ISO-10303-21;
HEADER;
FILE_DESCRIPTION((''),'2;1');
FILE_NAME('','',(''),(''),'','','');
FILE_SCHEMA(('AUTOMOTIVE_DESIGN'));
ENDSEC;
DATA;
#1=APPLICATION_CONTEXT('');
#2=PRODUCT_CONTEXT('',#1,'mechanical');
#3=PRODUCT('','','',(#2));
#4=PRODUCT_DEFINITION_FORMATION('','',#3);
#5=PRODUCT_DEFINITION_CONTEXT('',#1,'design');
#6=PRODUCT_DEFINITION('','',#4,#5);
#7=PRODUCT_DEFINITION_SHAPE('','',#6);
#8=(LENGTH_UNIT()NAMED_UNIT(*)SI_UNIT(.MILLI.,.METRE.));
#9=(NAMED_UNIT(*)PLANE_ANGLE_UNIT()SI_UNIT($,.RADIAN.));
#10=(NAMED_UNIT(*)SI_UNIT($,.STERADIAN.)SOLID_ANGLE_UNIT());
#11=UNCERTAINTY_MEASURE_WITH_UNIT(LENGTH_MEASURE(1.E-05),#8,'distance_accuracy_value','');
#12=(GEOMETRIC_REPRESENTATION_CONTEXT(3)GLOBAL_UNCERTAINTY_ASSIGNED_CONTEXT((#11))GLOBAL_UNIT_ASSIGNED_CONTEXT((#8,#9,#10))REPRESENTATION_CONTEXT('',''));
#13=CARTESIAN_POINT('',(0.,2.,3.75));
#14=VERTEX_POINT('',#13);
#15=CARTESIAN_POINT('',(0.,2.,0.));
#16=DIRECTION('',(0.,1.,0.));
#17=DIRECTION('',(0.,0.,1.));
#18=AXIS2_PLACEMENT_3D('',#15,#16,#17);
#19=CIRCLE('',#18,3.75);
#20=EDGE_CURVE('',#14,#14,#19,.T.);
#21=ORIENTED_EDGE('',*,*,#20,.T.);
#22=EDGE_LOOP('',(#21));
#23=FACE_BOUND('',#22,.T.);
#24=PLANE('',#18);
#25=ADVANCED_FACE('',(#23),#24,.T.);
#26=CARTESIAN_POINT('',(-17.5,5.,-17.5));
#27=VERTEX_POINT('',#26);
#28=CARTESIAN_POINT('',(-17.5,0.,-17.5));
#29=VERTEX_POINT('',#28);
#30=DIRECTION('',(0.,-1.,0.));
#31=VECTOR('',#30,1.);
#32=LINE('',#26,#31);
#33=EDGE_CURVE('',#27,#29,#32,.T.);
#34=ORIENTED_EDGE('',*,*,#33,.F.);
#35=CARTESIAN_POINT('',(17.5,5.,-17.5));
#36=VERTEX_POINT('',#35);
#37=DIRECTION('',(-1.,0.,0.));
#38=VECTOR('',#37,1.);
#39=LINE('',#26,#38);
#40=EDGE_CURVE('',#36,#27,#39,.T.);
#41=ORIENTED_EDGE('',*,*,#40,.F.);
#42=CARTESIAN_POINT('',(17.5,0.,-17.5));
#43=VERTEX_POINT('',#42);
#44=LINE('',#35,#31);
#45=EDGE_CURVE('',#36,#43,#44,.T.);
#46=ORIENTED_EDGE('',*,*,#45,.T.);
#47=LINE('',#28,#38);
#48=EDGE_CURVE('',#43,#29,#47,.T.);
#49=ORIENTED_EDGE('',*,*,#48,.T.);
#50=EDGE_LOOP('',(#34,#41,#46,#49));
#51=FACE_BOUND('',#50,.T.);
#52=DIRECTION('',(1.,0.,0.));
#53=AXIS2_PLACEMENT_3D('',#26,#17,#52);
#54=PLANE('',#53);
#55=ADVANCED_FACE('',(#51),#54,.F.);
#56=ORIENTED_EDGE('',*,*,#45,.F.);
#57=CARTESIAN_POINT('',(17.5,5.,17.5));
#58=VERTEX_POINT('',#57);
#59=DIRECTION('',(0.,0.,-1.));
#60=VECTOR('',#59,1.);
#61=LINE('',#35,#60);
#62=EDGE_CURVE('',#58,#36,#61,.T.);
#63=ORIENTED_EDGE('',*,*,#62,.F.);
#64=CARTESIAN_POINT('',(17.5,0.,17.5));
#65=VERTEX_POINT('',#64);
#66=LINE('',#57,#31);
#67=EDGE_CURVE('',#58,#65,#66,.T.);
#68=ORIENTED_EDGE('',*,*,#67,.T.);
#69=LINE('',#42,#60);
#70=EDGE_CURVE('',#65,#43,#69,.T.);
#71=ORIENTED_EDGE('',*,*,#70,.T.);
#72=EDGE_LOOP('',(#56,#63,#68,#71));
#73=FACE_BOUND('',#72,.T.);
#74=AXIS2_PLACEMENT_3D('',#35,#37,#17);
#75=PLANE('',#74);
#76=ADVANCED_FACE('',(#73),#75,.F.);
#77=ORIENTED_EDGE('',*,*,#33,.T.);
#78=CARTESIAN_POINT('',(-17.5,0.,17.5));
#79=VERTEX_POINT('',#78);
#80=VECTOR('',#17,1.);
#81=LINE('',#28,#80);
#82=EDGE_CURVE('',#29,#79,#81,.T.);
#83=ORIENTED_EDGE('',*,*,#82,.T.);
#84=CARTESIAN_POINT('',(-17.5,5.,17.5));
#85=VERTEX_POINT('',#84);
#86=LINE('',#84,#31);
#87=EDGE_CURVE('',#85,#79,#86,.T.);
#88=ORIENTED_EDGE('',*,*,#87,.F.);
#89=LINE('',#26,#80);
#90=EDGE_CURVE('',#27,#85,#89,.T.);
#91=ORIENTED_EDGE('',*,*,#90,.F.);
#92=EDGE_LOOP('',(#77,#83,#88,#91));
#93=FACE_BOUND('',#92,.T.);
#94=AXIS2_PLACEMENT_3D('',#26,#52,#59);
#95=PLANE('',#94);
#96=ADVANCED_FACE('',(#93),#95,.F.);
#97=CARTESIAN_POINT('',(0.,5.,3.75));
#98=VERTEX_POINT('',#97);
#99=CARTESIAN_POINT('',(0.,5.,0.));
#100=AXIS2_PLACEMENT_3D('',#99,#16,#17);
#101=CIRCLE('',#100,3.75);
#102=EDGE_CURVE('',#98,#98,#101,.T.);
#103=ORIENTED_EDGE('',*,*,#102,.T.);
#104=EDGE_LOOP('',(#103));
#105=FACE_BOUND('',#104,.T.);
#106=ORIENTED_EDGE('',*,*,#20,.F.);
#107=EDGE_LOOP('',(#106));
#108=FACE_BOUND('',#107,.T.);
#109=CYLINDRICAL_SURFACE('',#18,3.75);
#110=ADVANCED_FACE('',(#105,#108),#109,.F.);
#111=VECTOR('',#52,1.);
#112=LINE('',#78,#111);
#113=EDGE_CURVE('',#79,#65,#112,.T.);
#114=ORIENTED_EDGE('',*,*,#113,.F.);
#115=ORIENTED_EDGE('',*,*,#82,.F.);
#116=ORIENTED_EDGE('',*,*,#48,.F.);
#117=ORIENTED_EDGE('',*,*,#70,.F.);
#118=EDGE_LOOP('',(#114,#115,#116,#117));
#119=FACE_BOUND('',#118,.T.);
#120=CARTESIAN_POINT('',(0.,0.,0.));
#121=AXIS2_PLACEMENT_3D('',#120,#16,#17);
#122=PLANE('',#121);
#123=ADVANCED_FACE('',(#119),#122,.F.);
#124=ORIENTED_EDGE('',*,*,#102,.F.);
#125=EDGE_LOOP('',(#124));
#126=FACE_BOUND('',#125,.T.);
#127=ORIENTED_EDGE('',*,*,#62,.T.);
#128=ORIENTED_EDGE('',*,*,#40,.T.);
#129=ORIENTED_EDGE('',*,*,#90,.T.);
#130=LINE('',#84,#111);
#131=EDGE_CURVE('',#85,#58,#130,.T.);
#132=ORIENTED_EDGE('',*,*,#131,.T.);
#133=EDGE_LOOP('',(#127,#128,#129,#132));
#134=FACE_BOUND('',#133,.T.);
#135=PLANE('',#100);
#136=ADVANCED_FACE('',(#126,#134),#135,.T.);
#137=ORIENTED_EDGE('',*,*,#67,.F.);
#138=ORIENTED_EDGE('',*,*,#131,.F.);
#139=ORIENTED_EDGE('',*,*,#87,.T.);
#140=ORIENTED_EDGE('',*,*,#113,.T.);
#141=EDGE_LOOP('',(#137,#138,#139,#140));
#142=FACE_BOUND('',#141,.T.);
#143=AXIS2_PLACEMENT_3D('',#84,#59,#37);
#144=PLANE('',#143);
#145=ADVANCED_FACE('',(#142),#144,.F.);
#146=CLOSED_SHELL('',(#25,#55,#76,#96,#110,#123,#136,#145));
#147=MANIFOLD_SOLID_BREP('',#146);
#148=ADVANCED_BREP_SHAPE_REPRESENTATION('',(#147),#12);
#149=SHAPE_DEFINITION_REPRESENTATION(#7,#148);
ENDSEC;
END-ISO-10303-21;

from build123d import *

# Parameters (mm, degrees)
SKETCH_1_W          = 35
SKETCH_1_H          = 35
EXTRUDE_1_DEPTH     = 5
SKETCH_2_R          = 3.75
CUT_EXTRUDE_1_DEPTH = 3


with BuildPart() as part:
    # 草图1 → 凸台-拉伸1 (new body)
    with BuildSketch(Plane(origin=(0, 0, 0), x_dir=(1, 0, 0), z_dir=(0, 1, 0))):
        Rectangle(SKETCH_1_W, SKETCH_1_H)
    extrude(amount=EXTRUDE_1_DEPTH)

    # 草图2 → 切除-拉伸1 (cut)
    with BuildSketch(Plane(origin=(0, 5, 0), x_dir=(1, 0, 0), z_dir=(0, 1, 0))):
        with Locations(Location((0, 0, 0), (0, 0, 270))):
            Circle(SKETCH_2_R)
    extrude(amount=-CUT_EXTRUDE_1_DEPTH, mode=Mode.SUBTRACT)


solid = part.part
